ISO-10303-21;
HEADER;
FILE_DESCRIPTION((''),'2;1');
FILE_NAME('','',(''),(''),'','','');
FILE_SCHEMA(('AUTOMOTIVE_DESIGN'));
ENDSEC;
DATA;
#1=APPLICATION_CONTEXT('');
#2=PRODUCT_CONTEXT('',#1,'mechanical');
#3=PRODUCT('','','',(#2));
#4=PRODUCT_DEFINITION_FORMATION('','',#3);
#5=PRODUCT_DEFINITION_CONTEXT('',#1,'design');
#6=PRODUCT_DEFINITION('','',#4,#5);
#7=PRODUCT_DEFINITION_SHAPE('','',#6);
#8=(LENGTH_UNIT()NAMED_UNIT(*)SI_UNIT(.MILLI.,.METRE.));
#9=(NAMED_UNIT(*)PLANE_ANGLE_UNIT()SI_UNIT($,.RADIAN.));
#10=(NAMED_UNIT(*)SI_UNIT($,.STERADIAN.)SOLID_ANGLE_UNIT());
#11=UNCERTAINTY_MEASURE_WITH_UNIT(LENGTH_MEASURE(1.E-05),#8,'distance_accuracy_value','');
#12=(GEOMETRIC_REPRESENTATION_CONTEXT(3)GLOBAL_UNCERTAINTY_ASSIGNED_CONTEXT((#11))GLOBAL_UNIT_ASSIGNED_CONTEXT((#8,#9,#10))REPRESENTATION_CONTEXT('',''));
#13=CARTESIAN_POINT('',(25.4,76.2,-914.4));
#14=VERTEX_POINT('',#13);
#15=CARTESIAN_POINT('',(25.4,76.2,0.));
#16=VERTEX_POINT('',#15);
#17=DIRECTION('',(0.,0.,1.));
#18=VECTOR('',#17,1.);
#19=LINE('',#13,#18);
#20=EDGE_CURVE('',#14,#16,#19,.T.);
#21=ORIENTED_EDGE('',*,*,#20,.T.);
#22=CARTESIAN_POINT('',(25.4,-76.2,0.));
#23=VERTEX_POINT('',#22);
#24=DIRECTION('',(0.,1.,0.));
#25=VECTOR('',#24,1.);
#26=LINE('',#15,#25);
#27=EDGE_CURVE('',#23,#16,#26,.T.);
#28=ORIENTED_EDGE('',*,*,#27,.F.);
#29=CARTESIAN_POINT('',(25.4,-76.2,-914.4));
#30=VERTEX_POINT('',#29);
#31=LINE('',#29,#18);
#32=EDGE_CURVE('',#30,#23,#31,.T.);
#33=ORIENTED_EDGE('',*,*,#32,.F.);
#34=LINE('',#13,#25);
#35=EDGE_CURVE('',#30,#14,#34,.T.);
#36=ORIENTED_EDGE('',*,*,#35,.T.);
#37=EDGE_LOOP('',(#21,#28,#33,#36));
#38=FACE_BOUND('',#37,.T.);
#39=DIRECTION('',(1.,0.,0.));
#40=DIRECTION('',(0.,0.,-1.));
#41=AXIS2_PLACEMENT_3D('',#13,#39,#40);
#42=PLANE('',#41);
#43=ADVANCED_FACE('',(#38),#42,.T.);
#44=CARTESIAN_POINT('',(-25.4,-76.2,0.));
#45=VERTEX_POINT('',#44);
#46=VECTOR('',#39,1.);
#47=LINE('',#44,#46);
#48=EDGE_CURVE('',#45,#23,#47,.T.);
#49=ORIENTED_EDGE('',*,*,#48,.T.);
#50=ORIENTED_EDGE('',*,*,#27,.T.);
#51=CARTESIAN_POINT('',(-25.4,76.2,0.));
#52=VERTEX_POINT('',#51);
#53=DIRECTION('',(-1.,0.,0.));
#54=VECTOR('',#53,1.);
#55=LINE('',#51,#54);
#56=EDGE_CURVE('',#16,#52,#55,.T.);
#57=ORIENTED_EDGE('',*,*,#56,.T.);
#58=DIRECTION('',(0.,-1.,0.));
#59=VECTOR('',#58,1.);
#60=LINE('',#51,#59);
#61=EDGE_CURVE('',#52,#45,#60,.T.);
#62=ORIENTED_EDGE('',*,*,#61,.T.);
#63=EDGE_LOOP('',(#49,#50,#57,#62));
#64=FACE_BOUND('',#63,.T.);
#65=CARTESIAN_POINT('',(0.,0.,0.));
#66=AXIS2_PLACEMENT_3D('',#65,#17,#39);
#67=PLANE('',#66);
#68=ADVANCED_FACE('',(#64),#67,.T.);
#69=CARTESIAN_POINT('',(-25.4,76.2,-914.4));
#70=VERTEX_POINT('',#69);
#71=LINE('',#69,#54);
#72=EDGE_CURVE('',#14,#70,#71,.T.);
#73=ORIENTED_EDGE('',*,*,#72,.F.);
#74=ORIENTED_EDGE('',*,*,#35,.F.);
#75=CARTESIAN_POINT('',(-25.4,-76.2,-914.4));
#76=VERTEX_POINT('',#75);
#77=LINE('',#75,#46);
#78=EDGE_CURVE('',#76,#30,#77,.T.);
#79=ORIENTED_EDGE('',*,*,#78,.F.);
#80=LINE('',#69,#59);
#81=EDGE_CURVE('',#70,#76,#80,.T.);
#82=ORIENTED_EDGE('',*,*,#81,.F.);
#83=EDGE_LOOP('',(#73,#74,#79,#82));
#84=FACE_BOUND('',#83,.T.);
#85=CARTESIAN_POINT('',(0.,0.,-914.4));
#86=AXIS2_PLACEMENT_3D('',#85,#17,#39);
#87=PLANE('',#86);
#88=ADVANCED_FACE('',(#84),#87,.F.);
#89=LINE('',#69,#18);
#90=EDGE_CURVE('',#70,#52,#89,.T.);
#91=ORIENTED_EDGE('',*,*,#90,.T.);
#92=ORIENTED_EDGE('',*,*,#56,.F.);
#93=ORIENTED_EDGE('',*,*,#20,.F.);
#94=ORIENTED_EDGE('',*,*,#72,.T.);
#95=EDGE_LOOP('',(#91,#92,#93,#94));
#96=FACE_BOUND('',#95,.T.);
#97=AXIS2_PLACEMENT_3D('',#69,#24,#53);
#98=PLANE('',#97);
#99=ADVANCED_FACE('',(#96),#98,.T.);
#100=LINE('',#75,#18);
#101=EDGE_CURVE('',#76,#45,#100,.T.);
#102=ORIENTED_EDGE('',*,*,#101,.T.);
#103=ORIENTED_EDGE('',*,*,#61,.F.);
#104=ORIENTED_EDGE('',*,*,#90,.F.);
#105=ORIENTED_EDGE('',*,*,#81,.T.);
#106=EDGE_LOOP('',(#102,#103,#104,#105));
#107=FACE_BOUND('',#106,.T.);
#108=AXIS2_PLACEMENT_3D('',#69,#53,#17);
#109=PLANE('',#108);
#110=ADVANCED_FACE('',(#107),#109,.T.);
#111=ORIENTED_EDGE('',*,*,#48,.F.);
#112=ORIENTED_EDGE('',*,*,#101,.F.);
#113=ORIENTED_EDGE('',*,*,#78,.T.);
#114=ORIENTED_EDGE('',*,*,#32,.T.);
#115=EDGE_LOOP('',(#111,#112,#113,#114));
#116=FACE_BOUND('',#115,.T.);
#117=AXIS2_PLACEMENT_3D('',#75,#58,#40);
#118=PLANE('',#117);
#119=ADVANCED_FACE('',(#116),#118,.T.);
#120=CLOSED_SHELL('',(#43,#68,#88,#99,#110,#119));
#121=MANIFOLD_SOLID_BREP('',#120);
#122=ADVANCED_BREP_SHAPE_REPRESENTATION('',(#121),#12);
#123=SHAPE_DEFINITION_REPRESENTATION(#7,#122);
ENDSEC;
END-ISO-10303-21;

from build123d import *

# Parameters (mm, degrees)
SKETCH1_W           = 50.8
SKETCH1_H           = 152.4
BOSS_EXTRUDE1_DEPTH = 914.4


with BuildPart() as part:
    # Sketch1 → Boss-Extrude1 (new body)
    with BuildSketch(Plane.XY):
        Rectangle(SKETCH1_W, SKETCH1_H)
    extrude(amount=-BOSS_EXTRUDE1_DEPTH)


solid = part.part
